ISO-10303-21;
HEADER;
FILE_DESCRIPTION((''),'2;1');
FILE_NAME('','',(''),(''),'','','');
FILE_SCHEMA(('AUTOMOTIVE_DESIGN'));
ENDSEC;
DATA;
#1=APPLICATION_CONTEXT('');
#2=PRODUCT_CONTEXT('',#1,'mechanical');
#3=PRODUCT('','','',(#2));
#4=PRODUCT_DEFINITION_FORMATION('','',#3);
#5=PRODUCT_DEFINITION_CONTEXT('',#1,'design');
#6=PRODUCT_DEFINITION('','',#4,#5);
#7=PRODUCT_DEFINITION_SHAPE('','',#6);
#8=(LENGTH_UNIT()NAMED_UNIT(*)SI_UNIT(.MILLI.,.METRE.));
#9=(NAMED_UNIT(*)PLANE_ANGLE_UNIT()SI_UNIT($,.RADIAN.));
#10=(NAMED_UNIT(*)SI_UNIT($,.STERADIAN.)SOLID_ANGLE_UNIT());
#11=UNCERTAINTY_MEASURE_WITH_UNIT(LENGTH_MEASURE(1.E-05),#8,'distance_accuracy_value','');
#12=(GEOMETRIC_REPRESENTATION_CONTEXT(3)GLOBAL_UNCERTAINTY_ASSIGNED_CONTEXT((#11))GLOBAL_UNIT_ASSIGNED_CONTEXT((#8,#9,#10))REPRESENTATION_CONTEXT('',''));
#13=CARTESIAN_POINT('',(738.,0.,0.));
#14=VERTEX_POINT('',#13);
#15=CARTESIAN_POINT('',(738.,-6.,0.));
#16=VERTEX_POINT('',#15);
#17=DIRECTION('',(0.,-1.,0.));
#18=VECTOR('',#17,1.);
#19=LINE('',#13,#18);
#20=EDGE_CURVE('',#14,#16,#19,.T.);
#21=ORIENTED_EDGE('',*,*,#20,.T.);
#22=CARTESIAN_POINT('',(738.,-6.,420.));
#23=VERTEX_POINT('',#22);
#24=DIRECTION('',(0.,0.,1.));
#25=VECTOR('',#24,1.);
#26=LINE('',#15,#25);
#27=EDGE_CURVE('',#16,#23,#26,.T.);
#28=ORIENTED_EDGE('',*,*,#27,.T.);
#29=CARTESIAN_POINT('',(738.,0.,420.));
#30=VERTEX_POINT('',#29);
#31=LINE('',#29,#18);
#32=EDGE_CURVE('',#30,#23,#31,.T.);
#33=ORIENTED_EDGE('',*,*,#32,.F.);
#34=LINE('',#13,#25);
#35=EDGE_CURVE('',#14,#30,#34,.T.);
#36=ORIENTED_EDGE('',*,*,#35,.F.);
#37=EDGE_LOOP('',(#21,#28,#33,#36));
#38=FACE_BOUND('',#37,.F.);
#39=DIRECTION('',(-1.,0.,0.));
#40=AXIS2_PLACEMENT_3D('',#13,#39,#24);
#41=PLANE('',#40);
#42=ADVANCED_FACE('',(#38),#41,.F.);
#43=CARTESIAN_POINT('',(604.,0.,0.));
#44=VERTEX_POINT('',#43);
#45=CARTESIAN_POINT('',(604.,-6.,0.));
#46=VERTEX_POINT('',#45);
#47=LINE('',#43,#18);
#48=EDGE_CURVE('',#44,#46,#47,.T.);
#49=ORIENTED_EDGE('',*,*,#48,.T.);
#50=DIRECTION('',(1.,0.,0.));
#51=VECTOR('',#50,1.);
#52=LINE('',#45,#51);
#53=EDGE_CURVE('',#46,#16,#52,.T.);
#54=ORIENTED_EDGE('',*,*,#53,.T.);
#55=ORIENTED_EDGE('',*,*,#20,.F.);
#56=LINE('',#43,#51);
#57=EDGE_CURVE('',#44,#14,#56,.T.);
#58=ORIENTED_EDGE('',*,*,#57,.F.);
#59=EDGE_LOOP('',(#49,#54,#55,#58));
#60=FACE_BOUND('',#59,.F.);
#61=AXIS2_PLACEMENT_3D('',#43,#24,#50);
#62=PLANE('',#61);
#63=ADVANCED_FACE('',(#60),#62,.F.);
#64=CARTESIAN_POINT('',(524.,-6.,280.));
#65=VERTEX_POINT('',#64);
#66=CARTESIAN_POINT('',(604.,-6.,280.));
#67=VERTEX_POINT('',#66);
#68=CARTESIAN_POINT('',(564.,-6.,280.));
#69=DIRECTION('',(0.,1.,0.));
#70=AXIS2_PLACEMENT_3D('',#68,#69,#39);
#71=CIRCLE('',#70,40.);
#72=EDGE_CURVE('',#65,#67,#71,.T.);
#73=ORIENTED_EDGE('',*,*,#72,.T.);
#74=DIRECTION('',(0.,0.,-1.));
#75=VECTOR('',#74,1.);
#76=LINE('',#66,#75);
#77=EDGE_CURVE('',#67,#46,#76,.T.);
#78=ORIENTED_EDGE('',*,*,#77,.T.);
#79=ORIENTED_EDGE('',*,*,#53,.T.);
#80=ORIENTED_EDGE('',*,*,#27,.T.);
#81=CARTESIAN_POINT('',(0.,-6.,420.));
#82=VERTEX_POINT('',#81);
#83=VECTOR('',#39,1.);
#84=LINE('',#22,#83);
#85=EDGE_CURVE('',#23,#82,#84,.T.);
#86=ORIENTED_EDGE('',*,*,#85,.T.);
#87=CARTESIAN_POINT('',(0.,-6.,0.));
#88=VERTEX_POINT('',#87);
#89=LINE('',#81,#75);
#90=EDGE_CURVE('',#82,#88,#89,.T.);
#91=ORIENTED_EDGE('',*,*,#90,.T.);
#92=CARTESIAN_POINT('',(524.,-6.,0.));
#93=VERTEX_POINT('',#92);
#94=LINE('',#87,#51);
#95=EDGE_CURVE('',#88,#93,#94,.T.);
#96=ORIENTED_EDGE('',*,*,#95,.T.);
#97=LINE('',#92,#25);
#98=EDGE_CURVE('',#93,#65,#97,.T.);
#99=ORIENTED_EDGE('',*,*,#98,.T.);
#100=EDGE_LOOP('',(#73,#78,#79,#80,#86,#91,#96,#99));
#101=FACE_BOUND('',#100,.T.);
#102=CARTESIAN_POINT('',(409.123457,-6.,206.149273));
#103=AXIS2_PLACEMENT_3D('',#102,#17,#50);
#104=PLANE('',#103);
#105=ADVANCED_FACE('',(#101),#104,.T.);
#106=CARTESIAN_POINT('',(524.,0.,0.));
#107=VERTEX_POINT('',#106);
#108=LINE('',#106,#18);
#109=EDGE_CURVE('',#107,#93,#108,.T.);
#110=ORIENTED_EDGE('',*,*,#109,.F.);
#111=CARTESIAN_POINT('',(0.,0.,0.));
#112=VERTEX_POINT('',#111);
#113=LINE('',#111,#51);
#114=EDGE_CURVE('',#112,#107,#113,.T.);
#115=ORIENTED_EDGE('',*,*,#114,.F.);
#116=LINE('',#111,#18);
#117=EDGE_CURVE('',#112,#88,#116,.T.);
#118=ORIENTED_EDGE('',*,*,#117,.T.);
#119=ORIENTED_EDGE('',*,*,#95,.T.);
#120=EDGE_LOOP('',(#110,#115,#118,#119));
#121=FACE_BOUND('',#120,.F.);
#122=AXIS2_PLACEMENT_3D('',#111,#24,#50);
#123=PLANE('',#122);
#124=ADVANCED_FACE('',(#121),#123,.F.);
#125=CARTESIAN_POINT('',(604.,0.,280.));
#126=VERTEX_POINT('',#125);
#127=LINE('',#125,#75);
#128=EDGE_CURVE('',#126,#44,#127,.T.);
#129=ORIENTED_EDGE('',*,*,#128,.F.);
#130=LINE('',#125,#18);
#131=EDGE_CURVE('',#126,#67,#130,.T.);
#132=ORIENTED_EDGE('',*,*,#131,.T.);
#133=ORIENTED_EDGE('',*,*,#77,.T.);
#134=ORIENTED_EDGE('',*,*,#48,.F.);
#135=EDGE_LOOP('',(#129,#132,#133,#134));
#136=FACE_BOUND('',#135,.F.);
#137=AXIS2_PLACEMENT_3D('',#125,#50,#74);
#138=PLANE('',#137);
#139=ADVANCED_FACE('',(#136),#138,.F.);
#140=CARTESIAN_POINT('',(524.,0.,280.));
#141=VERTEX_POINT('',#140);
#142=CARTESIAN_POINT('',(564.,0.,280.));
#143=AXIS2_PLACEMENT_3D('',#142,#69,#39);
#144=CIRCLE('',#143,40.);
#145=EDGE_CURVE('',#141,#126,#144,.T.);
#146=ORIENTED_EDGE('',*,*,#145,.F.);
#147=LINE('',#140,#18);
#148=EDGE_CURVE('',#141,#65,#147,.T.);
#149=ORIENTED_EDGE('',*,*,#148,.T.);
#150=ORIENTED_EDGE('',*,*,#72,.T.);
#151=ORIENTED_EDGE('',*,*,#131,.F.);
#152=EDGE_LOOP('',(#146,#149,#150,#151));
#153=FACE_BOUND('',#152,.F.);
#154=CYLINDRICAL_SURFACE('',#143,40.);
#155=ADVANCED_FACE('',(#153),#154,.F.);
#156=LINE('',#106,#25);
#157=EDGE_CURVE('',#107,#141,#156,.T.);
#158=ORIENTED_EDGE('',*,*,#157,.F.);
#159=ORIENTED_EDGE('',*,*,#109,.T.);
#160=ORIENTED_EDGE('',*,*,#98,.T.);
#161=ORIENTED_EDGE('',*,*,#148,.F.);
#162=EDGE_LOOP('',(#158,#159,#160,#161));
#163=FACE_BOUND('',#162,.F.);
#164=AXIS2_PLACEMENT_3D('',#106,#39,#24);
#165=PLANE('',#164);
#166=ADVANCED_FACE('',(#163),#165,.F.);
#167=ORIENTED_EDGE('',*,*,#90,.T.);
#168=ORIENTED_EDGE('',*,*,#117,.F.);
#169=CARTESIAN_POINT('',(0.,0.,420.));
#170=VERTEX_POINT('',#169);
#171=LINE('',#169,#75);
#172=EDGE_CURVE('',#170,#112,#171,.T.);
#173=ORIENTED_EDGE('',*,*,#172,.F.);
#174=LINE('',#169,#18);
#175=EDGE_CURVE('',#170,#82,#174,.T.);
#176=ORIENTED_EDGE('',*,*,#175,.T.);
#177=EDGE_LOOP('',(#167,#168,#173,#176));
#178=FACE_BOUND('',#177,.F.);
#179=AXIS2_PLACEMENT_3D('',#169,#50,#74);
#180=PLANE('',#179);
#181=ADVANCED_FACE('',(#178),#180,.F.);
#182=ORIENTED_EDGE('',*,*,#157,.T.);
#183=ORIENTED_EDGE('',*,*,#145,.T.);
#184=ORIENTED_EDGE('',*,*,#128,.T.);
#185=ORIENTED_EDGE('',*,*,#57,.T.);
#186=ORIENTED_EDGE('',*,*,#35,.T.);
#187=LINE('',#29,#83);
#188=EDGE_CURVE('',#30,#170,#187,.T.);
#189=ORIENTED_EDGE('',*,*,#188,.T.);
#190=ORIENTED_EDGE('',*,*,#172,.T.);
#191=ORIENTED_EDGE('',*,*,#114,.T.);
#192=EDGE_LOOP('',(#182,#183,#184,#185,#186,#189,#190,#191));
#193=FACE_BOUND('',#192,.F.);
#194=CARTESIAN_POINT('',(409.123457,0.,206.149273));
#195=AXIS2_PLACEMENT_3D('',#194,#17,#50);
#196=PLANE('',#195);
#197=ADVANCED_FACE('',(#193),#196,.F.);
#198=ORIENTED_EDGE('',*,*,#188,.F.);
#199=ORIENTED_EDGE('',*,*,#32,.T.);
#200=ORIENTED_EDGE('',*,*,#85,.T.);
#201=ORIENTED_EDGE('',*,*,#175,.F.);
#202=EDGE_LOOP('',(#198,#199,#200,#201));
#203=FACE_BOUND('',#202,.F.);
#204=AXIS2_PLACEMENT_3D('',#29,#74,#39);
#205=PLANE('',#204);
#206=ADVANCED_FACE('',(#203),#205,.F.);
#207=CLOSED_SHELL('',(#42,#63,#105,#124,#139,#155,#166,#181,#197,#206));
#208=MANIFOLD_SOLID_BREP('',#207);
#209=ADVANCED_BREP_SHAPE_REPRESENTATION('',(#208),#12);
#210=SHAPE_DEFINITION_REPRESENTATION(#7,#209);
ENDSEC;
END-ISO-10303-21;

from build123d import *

# Parameters (mm, degrees)
F1_DEPTH = 6


with BuildPart() as f1:
    # F0 (on Front) → F1 (new body)
    with BuildSketch(Plane.XZ):
        with BuildLine():
            Line((0, 420), (0, 0))
            Line((0, 0), (524, 0))
            Line((524, 0), (524, 280))
            ThreePointArc((524, 280), (564, 320), (604, 280))
            Line((604, 280), (604, 0))
            Line((604, 0), (738, 0))
            Line((738, 0), (738, 420))
            Line((738, 420), (0, 420))
        make_face()
    extrude(amount=F1_DEPTH)


solid = f1.part
